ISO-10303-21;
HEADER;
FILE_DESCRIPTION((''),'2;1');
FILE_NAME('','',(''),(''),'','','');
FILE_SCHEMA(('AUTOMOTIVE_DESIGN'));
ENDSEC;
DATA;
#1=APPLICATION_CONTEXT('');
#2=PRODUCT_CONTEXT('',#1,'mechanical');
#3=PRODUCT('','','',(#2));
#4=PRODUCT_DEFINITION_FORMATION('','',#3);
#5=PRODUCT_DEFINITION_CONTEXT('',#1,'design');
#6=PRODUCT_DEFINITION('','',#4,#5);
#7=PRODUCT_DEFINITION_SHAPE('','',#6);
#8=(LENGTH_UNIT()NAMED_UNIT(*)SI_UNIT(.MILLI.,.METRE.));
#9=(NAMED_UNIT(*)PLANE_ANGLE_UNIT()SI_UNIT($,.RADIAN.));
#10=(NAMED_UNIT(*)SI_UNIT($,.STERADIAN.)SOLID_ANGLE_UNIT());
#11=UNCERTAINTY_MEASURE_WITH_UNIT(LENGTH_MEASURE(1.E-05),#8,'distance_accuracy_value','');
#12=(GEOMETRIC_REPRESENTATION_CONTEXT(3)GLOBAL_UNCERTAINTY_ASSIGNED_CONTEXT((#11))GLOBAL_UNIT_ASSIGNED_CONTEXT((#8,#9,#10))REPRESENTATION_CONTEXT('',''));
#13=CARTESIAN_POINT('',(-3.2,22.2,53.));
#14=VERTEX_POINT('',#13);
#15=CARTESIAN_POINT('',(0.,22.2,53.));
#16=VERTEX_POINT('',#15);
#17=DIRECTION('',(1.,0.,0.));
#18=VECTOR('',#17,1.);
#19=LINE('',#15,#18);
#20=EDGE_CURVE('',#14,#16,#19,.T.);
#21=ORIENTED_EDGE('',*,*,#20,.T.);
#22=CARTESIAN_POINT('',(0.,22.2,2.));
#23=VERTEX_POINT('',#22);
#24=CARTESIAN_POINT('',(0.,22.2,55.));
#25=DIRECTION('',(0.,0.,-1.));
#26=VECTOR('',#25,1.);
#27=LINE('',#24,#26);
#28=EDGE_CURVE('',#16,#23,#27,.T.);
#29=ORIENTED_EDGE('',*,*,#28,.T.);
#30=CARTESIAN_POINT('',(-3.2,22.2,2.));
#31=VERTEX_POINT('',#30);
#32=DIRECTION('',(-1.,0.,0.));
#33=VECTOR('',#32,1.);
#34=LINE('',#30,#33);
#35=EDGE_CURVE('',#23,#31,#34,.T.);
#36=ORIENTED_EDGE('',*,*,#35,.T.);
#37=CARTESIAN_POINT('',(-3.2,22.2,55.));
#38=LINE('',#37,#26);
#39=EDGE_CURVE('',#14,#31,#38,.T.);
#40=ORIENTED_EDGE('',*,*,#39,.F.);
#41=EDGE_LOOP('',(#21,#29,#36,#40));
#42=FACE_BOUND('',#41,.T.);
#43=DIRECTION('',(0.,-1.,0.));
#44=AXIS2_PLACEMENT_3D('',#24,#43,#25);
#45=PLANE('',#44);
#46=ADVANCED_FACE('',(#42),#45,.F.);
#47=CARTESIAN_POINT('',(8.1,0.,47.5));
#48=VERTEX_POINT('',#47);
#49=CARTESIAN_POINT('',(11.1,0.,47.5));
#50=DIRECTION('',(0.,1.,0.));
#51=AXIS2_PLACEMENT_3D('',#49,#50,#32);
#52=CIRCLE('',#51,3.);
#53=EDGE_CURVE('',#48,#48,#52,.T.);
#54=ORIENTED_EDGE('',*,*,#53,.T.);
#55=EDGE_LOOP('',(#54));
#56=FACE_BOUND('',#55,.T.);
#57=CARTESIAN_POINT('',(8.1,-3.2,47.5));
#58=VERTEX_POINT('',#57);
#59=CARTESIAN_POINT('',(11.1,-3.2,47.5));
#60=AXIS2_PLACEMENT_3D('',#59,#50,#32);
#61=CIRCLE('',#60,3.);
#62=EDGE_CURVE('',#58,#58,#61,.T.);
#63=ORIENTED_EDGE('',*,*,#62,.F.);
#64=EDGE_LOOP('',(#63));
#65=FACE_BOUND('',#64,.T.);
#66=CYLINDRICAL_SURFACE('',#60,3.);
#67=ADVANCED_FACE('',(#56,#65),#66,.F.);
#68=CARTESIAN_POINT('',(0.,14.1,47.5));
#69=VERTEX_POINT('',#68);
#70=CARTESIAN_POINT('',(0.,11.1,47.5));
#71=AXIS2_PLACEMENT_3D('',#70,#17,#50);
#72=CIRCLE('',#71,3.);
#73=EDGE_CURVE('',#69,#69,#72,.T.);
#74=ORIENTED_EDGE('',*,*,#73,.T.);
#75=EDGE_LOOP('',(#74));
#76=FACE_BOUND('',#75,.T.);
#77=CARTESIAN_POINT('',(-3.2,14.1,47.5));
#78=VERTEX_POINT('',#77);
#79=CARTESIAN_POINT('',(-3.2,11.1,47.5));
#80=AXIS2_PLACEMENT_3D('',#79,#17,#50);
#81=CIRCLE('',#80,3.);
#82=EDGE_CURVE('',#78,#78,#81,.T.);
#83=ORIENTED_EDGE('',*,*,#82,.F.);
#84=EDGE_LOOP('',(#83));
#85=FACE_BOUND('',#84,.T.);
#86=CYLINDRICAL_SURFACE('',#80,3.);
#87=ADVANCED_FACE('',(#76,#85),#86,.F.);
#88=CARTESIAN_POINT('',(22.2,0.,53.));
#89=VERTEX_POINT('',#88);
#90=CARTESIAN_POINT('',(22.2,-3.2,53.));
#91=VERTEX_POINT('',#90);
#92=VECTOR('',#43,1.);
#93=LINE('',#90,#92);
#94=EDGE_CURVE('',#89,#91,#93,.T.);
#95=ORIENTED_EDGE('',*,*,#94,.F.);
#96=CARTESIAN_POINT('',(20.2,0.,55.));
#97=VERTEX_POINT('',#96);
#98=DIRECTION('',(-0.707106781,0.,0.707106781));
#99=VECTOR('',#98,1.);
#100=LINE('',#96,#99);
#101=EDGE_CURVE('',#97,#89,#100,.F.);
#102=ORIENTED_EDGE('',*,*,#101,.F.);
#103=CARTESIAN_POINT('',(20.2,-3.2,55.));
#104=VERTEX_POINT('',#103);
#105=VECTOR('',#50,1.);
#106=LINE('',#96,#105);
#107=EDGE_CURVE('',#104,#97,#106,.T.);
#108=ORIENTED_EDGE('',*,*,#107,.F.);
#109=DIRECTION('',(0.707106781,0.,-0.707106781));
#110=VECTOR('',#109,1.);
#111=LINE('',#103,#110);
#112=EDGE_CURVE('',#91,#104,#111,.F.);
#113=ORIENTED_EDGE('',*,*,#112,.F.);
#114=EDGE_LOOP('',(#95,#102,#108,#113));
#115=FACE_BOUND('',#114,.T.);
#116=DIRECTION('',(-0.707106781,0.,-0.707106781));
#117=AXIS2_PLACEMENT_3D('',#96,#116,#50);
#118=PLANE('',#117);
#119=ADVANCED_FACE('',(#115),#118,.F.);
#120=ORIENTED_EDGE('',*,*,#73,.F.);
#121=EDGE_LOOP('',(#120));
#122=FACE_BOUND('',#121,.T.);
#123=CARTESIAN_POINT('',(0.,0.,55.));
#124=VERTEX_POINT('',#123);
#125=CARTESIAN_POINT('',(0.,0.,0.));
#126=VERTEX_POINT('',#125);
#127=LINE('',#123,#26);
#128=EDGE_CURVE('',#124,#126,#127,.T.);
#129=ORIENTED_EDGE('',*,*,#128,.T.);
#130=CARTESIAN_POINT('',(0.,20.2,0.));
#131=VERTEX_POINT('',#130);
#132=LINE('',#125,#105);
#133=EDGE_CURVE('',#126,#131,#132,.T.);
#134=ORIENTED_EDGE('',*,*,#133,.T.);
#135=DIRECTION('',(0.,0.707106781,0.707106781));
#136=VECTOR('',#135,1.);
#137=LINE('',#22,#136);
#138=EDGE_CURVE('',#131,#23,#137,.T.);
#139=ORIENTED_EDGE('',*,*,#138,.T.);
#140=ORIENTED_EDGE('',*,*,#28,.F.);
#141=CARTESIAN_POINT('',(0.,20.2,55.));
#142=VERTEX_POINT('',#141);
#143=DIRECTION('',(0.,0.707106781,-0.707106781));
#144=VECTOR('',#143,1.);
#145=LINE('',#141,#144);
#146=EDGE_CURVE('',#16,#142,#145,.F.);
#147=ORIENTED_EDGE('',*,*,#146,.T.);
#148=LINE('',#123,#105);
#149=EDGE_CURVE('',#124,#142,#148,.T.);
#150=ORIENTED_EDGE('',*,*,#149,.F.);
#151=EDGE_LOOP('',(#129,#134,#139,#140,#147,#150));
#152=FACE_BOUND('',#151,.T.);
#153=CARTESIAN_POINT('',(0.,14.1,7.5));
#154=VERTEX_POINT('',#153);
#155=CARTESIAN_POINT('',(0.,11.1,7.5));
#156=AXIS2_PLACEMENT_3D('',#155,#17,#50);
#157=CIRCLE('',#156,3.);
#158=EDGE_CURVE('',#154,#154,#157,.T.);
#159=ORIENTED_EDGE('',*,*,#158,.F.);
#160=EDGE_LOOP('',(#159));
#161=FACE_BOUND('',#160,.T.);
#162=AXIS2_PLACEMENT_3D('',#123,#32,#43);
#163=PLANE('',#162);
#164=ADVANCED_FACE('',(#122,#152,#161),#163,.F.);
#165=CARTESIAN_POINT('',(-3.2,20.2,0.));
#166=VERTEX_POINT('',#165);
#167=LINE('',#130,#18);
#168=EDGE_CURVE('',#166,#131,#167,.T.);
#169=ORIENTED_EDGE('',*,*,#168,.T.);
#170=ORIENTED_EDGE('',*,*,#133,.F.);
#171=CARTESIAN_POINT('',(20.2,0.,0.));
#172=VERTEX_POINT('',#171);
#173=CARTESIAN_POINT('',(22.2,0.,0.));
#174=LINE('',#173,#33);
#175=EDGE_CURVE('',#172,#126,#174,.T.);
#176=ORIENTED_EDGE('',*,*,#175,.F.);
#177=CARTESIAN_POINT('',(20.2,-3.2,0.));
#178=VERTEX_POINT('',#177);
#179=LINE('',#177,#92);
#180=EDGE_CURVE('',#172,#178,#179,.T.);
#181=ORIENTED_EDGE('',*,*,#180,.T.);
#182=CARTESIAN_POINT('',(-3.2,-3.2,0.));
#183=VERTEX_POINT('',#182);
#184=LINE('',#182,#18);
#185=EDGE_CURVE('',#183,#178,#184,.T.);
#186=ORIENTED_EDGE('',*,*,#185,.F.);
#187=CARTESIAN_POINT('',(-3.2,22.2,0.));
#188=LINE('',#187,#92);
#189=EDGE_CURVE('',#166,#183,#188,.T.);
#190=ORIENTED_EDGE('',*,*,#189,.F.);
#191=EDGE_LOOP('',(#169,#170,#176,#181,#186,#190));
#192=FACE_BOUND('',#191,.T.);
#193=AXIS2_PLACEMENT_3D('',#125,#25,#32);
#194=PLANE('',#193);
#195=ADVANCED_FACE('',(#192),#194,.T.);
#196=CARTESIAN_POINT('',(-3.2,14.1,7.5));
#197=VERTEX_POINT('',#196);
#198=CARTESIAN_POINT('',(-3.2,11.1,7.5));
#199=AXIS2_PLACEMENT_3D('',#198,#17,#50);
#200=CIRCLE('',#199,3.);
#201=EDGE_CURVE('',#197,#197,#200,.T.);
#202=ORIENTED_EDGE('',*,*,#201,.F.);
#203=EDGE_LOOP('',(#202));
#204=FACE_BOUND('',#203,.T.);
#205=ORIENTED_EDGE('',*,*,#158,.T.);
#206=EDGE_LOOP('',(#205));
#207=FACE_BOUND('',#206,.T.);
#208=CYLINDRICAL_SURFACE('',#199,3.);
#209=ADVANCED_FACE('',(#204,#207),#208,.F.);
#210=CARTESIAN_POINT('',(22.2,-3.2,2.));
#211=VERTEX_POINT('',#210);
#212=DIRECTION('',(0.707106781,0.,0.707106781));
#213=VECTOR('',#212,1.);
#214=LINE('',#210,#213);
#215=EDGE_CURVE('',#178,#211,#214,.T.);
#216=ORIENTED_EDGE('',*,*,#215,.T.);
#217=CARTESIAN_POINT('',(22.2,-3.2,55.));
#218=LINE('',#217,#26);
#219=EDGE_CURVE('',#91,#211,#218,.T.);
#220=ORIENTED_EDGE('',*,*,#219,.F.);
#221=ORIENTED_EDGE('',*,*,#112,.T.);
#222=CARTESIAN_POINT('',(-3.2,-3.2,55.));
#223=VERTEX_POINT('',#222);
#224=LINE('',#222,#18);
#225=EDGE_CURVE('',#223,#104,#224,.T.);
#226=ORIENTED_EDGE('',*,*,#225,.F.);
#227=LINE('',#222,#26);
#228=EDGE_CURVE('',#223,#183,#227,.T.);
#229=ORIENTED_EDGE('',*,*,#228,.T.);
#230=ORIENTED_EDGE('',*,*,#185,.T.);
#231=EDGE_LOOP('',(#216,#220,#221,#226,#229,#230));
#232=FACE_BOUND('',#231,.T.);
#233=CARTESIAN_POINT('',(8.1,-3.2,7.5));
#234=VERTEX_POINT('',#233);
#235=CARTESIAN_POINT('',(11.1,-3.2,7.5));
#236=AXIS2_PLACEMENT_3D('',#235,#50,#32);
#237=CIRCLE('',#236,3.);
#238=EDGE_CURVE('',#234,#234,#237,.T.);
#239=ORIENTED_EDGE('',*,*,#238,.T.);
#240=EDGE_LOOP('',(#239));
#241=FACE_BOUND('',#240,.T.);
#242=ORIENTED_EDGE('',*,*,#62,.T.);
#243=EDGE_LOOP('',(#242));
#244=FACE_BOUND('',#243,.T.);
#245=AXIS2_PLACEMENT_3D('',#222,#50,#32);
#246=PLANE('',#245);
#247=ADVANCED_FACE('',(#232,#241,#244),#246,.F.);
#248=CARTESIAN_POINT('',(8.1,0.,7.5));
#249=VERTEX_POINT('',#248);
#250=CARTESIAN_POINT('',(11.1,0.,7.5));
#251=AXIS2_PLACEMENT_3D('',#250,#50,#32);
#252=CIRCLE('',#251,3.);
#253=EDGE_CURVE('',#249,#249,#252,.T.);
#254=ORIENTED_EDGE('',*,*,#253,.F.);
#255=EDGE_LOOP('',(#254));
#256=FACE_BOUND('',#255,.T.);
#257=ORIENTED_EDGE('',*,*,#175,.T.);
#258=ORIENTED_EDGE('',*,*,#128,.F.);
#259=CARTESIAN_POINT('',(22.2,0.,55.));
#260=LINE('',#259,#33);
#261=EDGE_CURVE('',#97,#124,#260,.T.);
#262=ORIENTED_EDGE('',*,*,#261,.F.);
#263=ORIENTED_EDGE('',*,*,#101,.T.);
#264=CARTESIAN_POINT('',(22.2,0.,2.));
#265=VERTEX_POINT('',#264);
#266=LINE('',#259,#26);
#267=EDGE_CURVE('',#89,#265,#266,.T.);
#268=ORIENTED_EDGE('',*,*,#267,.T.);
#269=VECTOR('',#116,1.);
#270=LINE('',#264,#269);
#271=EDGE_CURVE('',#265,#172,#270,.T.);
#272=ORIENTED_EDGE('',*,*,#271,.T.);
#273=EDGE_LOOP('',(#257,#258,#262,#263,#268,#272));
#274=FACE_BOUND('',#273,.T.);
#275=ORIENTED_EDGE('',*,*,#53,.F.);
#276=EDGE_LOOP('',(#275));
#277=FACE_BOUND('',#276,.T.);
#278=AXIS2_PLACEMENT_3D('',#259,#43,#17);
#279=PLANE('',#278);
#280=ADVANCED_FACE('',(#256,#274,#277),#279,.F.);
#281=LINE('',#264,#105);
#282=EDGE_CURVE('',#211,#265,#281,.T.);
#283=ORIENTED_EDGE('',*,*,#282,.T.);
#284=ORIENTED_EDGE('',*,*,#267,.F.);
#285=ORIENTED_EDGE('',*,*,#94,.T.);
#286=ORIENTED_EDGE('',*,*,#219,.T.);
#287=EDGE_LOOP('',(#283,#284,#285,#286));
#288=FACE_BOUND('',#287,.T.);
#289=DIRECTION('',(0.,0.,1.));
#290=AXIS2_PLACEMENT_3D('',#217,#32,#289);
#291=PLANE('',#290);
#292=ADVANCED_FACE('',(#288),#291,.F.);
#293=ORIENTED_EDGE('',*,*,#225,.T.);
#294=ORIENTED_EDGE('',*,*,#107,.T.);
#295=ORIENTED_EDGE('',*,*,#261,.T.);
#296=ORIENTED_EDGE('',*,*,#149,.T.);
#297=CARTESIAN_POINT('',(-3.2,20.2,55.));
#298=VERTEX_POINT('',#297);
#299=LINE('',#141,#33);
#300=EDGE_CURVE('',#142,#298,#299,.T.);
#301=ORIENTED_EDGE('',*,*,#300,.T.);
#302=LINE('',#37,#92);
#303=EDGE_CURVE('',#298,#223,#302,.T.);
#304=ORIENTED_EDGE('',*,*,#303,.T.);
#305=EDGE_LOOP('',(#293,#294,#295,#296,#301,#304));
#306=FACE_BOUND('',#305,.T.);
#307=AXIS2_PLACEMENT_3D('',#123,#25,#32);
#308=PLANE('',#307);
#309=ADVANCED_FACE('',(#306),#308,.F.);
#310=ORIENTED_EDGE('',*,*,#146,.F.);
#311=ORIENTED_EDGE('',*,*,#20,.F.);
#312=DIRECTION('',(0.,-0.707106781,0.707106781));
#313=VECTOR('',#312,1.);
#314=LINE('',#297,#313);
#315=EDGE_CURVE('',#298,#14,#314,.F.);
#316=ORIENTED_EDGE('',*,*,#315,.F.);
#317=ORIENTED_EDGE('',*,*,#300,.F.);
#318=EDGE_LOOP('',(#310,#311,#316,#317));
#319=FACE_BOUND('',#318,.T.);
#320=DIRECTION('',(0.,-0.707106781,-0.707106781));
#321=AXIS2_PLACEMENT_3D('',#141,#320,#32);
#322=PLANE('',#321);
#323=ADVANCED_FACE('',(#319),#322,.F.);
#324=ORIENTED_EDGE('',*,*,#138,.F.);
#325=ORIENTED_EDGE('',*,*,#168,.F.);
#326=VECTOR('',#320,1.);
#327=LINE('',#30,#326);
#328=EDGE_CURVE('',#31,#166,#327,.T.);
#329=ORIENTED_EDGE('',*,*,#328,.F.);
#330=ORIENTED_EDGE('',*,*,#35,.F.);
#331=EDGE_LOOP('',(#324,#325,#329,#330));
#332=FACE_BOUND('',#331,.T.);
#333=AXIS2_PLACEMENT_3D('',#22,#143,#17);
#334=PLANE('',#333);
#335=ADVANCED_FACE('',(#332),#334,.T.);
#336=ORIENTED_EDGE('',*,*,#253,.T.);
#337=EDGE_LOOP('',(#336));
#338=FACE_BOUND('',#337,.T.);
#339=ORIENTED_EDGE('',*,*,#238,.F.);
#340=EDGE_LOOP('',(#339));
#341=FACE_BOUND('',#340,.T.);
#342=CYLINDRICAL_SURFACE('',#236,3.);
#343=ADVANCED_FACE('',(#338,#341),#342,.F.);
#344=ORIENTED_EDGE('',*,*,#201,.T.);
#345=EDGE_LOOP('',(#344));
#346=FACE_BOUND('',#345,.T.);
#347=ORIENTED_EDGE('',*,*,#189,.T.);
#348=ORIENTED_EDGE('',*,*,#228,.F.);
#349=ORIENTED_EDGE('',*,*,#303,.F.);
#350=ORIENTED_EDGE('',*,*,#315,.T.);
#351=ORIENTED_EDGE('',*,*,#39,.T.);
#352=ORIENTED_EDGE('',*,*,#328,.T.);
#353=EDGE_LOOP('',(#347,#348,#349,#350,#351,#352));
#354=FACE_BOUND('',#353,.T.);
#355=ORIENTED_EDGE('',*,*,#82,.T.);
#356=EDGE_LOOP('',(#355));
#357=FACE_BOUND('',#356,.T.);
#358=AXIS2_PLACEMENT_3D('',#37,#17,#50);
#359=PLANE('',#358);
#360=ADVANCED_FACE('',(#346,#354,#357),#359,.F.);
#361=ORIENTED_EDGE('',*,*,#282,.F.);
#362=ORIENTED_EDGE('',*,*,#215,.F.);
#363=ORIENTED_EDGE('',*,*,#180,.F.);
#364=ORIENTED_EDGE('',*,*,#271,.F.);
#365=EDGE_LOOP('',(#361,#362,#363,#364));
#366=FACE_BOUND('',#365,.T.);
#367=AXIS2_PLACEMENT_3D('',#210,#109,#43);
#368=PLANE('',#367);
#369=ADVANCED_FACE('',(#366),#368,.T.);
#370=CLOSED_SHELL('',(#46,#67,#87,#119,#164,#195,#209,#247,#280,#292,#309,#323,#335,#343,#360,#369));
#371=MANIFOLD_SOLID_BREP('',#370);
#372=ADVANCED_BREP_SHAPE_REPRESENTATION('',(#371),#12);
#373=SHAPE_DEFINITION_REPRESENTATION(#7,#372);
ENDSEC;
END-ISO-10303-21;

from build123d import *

# Parameters (mm, degrees)
RESSALTO_EXTRUS_O1_DEPTH = 55
CHANFRO1_SIZE            = 2
ESBO_O2_R                = 3
CORTE_EXTRUS_O1_DEPTH    = 64.329929733
ESBO_O3_R                = 3
CORTE_EXTRUS_O2_DEPTH    = 64.329929733


with BuildPart() as part:
    # Esboço1 → Ressalto-extrusão1 (new body)
    with BuildSketch(Plane.XY):
        Polygon((0, 0), (0, 22.2), (-3.2, 22.2), (-3.2, -3.2), (22.2, -3.2), (22.2, 0), align=None)
    extrude(amount=RESSALTO_EXTRUS_O1_DEPTH)

    # Chanfro1
    chanfro1_edges = [part.edges().sort_by_distance(p)[0] for p in [
        (-1.6, 22.2, 55),
        (22.2, -1.6, 55),
        (22.2, -1.6, 0),
        (-1.6, 22.2, 0),
    ]]
    chamfer(chanfro1_edges, length=CHANFRO1_SIZE)

    # Esboço2 → Corte-extrusão1 (cut, through all)
    with BuildSketch(Plane(origin=(0, 0, 0), x_dir=(1, 0, 0), z_dir=(0, 1, 0))):
        with Locations(Location((11.1, -7.5, 0), (0, 0, 180))):
            Circle(ESBO_O2_R)
        with Locations(Location((11.1, -47.5, 0), (0, 0, 180))):
            Circle(ESBO_O2_R)
    extrude(amount=-CORTE_EXTRUS_O1_DEPTH, mode=Mode.SUBTRACT)

    # Esboço3 → Corte-extrusão2 (cut, through all)
    with BuildSketch(Plane(origin=(0, 0, 0), x_dir=(0, 0, -1), z_dir=(1, 0, 0))):
        with Locations(Location((-47.5, 11.1, 0), (0, 0, 90))):
            Circle(ESBO_O3_R)
        with Locations(Location((-7.5, 11.1, 0), (0, 0, 90))):
            Circle(ESBO_O3_R)
    extrude(amount=-CORTE_EXTRUS_O2_DEPTH, mode=Mode.SUBTRACT)


solid = part.part
